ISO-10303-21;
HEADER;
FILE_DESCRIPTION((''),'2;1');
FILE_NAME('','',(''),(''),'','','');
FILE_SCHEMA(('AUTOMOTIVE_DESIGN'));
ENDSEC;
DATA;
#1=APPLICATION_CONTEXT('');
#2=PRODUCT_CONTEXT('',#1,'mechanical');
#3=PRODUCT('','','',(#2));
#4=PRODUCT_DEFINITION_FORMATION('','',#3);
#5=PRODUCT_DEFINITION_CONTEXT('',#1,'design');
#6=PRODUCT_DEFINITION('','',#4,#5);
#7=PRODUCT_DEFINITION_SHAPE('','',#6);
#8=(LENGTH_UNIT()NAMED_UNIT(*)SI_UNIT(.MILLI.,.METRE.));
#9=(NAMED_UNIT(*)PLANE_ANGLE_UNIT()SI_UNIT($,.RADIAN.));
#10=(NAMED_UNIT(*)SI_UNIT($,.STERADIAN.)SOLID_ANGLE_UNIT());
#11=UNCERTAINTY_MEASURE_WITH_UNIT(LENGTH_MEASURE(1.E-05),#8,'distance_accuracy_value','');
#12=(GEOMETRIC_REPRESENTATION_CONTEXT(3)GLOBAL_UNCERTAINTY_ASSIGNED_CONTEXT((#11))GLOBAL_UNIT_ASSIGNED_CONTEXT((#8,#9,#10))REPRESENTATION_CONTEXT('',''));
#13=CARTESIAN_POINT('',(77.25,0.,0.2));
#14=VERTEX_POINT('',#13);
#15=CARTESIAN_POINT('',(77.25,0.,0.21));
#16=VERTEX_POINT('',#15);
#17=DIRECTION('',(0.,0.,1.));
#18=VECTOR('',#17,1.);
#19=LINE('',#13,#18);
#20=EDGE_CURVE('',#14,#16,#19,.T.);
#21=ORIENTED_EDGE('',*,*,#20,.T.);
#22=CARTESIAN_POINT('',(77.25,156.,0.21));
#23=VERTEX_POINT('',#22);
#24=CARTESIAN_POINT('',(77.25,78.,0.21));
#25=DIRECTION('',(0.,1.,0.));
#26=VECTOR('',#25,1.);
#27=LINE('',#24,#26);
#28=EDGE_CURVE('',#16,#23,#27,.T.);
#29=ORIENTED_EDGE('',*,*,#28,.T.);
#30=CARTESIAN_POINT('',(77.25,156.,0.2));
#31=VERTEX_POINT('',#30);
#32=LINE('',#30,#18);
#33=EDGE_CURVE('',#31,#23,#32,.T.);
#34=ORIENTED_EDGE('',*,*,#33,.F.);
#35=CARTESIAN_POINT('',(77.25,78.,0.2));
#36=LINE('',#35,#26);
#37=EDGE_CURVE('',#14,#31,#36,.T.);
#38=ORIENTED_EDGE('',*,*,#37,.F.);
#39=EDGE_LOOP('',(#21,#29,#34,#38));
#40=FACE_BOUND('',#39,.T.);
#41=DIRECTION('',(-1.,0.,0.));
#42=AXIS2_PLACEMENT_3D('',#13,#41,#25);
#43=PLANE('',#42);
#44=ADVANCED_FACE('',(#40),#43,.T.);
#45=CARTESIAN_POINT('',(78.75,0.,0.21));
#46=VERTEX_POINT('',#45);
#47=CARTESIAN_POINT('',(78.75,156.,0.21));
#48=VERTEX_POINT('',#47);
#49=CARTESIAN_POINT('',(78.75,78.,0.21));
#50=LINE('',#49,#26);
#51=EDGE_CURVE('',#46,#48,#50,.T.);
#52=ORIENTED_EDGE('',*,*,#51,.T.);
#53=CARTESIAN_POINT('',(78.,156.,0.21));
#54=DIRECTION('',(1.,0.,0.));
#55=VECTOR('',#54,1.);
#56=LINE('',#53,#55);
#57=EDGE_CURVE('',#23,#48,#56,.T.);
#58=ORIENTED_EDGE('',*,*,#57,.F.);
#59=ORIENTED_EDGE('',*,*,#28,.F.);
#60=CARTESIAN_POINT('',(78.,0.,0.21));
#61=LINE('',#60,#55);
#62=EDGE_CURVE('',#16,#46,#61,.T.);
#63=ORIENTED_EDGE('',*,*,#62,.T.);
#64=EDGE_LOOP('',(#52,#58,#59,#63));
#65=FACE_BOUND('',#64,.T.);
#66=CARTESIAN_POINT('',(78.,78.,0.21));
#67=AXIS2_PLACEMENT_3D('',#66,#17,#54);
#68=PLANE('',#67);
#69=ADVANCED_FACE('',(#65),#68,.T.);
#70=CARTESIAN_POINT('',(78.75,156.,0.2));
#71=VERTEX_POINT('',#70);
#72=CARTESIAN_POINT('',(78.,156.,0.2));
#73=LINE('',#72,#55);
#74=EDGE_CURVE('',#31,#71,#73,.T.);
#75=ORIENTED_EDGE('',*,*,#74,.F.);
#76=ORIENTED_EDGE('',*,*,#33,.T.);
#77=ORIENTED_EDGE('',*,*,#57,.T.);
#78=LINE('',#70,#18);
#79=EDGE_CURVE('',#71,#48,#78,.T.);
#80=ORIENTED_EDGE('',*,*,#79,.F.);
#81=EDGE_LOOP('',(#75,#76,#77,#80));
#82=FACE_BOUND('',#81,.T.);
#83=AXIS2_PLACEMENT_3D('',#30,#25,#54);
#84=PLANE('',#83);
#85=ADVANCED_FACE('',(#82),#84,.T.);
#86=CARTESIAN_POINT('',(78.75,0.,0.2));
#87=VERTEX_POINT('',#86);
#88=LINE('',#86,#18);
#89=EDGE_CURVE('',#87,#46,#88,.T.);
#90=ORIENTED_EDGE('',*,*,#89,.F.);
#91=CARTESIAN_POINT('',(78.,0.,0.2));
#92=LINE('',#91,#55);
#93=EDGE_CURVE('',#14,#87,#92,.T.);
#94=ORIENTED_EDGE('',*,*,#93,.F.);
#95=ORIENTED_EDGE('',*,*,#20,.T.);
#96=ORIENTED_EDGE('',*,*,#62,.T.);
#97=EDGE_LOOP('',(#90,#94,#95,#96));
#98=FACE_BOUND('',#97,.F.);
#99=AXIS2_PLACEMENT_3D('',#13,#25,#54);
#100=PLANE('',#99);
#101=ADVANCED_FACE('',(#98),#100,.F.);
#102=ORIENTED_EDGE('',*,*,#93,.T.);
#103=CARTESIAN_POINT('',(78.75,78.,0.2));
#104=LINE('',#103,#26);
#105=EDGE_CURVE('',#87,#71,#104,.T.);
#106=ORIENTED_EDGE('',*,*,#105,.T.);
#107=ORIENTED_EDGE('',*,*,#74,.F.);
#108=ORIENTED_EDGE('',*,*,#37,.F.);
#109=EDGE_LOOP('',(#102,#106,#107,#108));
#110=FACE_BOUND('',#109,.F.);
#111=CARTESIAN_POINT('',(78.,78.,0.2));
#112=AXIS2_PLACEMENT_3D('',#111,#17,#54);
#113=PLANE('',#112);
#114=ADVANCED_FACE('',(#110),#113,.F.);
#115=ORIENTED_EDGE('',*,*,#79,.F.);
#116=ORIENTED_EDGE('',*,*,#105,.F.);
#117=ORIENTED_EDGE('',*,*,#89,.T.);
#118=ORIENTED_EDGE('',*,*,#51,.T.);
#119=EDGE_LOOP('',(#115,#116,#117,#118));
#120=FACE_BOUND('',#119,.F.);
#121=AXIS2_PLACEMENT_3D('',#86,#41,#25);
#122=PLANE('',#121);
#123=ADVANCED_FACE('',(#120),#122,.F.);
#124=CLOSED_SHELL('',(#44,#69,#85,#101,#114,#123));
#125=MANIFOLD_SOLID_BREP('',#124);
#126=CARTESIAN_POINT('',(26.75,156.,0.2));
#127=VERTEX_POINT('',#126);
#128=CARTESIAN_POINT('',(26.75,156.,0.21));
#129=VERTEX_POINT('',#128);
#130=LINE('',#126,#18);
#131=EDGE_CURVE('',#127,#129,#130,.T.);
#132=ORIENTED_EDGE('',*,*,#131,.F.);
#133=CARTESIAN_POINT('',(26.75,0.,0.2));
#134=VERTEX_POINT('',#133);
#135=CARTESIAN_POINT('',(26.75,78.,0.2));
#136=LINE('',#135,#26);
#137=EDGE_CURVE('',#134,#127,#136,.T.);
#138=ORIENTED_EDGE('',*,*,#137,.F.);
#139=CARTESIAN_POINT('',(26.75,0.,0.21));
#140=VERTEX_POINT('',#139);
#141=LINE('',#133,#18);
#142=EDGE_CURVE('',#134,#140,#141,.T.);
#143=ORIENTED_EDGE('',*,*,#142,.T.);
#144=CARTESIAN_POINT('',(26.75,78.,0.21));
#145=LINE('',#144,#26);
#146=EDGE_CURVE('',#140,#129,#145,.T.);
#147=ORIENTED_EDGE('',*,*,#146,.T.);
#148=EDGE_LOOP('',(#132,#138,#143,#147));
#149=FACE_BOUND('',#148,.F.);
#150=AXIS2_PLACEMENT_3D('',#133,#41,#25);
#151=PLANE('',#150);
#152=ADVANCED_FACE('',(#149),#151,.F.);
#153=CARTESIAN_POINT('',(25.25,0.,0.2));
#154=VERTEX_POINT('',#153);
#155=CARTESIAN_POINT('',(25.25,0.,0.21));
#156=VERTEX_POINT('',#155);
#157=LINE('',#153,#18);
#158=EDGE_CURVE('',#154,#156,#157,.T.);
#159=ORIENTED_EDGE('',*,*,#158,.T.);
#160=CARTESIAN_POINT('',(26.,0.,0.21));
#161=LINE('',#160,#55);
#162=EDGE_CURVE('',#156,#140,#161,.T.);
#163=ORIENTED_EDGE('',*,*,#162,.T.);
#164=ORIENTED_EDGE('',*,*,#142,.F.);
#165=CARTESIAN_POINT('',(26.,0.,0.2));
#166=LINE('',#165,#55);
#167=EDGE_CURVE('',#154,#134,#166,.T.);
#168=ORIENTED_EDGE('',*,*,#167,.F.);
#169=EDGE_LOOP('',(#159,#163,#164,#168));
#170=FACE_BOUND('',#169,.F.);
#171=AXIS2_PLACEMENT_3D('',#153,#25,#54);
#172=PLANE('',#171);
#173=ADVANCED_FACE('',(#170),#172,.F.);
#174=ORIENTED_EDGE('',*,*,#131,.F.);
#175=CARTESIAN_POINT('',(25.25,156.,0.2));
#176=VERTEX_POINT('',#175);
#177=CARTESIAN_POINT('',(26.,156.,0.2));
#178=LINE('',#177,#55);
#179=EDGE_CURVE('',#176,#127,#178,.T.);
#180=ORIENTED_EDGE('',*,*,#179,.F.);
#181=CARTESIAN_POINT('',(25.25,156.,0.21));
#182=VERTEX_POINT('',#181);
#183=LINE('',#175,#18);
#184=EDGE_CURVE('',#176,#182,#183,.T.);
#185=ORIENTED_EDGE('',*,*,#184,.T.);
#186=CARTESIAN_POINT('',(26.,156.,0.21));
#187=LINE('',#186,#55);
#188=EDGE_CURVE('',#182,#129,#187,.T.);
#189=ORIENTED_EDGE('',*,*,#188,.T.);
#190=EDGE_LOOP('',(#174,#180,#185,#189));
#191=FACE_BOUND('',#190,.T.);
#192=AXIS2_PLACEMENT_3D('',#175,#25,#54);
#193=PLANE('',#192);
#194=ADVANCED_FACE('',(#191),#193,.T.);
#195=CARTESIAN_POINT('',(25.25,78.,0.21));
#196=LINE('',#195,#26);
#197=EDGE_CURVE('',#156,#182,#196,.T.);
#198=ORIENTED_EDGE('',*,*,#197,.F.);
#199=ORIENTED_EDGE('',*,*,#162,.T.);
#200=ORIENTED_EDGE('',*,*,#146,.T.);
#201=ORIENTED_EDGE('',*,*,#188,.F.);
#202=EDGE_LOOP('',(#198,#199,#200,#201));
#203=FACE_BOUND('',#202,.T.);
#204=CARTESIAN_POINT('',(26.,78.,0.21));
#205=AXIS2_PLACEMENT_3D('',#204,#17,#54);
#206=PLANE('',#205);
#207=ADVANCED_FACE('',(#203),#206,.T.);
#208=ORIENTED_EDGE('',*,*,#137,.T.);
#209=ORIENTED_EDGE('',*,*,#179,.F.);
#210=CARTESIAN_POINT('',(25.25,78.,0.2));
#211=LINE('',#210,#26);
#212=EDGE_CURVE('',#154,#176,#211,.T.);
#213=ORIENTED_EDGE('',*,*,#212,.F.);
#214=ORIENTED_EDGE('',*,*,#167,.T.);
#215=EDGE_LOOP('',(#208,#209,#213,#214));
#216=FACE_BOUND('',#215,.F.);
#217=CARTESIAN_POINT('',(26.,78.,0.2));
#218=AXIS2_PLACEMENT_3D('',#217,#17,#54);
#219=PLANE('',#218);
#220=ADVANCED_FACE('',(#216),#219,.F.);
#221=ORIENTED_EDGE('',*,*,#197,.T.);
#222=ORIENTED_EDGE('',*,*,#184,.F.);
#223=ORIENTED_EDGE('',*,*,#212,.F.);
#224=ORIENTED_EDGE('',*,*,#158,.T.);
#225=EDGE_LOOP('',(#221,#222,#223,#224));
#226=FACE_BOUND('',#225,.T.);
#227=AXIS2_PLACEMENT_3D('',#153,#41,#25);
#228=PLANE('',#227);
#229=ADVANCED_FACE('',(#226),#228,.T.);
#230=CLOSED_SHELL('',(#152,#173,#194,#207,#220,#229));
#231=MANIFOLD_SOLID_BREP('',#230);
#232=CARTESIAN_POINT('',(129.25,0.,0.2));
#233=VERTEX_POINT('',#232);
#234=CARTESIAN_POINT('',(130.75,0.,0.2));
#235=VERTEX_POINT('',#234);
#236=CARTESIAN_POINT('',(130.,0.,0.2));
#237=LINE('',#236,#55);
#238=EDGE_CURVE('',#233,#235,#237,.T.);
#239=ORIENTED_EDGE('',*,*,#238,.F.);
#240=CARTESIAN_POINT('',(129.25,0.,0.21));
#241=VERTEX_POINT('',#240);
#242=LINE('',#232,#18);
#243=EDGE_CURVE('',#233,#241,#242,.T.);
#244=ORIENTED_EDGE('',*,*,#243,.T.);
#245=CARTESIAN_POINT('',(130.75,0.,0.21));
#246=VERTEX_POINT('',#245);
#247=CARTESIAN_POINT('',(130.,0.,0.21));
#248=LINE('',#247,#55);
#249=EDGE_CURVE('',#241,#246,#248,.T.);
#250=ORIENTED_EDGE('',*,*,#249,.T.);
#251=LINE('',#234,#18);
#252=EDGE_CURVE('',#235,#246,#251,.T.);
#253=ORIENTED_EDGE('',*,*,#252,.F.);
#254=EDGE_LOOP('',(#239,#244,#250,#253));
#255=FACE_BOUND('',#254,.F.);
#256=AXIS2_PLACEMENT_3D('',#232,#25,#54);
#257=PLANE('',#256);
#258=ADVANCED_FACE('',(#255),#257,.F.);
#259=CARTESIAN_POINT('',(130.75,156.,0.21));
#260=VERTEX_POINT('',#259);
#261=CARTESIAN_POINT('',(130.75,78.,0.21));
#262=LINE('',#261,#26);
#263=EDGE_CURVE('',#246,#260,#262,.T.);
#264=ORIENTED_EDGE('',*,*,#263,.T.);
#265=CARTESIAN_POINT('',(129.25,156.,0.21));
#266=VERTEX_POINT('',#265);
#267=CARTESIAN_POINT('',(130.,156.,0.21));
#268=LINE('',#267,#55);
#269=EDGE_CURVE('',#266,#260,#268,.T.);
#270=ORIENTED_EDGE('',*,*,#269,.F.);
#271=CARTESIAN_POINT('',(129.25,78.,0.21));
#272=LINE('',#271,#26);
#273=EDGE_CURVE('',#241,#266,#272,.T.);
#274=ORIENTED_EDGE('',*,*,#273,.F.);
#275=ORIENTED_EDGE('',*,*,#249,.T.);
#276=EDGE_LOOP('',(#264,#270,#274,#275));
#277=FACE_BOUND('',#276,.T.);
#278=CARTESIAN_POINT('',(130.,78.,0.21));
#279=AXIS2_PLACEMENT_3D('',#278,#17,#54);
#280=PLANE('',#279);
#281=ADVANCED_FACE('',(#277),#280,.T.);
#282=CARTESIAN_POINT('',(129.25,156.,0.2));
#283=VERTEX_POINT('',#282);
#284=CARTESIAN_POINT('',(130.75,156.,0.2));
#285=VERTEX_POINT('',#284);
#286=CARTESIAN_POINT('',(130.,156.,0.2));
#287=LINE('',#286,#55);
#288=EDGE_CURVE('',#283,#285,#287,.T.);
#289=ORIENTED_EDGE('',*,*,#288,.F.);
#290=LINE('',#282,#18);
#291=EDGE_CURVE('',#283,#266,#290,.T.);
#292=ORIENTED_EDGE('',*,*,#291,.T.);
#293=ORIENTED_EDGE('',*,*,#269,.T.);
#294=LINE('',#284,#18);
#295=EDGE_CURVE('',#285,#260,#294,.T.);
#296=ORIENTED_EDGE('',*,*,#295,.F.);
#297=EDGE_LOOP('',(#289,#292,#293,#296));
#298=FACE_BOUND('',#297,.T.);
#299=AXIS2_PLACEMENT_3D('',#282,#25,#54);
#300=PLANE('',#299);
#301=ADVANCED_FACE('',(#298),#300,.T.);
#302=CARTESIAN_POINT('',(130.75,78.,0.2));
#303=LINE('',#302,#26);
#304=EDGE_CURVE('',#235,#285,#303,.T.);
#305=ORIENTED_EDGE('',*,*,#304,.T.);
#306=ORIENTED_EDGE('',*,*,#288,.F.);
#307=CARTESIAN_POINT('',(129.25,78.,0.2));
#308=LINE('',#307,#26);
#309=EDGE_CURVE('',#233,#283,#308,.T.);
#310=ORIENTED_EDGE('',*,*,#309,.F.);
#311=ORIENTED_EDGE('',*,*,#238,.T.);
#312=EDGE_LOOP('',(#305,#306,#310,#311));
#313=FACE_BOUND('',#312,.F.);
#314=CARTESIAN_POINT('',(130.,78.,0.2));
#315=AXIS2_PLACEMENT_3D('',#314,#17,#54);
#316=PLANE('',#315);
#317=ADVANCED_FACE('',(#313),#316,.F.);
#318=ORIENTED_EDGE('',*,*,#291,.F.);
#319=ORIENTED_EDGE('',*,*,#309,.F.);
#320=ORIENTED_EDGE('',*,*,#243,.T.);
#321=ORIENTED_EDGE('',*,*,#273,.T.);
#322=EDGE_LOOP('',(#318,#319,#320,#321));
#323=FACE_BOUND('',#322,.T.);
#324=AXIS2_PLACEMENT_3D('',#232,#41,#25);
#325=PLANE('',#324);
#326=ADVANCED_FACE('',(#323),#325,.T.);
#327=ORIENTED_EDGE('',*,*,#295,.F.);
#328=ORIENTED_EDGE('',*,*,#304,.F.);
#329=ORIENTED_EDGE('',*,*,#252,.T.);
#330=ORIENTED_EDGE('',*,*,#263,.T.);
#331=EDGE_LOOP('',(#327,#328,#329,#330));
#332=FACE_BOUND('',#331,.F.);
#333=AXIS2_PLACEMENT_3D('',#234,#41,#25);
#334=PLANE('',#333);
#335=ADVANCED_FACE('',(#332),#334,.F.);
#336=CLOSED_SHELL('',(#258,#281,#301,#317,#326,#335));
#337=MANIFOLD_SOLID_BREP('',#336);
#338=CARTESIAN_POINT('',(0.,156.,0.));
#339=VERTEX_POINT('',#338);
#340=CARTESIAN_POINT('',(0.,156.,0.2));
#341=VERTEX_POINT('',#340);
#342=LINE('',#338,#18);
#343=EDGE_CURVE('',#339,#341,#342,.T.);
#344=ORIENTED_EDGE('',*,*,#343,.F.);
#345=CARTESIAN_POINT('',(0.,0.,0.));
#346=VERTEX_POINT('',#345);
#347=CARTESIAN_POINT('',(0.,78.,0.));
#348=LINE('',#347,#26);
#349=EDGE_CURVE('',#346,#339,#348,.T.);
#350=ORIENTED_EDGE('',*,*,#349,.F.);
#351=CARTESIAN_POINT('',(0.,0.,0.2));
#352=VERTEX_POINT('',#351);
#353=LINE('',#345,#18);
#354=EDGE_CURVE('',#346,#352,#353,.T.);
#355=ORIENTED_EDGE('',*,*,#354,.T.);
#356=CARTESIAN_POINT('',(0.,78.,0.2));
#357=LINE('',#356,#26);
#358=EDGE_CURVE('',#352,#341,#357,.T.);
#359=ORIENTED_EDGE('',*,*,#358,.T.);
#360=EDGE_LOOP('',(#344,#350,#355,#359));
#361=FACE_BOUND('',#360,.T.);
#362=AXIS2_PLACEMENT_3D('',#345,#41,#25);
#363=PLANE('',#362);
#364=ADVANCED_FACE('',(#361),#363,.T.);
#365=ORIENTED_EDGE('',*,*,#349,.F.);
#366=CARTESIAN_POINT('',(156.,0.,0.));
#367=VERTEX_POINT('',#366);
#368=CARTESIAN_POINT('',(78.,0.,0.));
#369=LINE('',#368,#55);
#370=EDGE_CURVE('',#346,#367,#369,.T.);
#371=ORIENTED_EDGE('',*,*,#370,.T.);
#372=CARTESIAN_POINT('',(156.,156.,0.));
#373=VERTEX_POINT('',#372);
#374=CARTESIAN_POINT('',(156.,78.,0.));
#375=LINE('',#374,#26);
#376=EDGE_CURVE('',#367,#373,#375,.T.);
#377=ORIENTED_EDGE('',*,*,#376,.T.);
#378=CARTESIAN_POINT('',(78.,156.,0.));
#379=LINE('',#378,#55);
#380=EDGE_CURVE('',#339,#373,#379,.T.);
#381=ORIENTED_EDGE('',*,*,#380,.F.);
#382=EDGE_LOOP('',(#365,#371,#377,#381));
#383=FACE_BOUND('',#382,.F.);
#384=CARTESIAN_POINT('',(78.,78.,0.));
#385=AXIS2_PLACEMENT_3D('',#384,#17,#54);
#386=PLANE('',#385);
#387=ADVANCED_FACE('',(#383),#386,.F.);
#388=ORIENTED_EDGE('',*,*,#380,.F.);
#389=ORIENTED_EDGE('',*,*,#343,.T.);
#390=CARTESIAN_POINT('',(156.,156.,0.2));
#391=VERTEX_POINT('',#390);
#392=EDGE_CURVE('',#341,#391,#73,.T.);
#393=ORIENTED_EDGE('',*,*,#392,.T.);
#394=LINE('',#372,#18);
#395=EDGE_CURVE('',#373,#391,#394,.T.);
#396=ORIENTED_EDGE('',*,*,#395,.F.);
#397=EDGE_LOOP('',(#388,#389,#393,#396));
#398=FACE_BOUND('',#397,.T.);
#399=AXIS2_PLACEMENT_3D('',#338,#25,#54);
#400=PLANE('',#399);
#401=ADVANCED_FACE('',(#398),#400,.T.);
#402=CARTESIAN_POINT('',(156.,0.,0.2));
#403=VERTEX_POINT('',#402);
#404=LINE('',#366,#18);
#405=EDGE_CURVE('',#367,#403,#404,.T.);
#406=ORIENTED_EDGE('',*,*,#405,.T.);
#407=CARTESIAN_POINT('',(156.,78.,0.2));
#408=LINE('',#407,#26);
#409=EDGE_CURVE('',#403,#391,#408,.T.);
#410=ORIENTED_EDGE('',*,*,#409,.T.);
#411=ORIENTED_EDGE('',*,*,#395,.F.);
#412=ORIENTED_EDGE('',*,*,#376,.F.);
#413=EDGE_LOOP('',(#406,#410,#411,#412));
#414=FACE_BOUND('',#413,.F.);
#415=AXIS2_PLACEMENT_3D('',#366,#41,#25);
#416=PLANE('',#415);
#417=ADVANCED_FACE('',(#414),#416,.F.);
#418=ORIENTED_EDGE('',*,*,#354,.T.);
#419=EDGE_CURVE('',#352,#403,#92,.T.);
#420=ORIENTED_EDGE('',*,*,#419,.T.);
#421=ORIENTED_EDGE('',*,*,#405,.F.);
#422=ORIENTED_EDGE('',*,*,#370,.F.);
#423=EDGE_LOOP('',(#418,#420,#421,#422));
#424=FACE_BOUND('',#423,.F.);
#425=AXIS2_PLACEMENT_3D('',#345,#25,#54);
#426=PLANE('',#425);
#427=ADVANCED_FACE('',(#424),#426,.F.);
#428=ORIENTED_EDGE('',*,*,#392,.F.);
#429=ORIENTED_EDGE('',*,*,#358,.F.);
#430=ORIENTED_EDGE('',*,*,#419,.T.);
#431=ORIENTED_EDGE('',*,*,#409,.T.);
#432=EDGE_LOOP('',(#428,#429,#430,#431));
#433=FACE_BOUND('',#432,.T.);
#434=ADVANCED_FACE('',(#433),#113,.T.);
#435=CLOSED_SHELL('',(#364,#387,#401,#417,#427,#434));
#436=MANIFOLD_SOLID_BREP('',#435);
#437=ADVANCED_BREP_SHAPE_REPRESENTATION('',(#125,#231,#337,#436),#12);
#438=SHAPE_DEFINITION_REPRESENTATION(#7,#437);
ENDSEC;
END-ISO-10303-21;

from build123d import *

# Parameters (mm, degrees)
F0_W     = 156
F0_H     = 156
F1_DEPTH = 0.2
F2_W     = 1.5
F2_H     = 156
F3_DEPTH = 0.01


with BuildPart() as f1:
    # F0 (on Top) → F1 (new body)
    with BuildSketch(Plane.XY):
        with Locations((78, 78)):
            Rectangle(F0_W, F0_H)
    extrude(amount=F1_DEPTH)


with BuildPart() as f3:
    # F2 (on face) → F3 (new body)
    with BuildSketch(Plane.XY.offset(0.2)):
        with Locations((26, 78)):
            Rectangle(F2_W, F2_H)
        with Locations((78, 78)):
            Rectangle(F2_W, F2_H)
        with Locations((130, 78)):
            Rectangle(F2_W, F2_H)
    extrude(amount=F3_DEPTH)


solid = Compound([f1.part, f3.part])
